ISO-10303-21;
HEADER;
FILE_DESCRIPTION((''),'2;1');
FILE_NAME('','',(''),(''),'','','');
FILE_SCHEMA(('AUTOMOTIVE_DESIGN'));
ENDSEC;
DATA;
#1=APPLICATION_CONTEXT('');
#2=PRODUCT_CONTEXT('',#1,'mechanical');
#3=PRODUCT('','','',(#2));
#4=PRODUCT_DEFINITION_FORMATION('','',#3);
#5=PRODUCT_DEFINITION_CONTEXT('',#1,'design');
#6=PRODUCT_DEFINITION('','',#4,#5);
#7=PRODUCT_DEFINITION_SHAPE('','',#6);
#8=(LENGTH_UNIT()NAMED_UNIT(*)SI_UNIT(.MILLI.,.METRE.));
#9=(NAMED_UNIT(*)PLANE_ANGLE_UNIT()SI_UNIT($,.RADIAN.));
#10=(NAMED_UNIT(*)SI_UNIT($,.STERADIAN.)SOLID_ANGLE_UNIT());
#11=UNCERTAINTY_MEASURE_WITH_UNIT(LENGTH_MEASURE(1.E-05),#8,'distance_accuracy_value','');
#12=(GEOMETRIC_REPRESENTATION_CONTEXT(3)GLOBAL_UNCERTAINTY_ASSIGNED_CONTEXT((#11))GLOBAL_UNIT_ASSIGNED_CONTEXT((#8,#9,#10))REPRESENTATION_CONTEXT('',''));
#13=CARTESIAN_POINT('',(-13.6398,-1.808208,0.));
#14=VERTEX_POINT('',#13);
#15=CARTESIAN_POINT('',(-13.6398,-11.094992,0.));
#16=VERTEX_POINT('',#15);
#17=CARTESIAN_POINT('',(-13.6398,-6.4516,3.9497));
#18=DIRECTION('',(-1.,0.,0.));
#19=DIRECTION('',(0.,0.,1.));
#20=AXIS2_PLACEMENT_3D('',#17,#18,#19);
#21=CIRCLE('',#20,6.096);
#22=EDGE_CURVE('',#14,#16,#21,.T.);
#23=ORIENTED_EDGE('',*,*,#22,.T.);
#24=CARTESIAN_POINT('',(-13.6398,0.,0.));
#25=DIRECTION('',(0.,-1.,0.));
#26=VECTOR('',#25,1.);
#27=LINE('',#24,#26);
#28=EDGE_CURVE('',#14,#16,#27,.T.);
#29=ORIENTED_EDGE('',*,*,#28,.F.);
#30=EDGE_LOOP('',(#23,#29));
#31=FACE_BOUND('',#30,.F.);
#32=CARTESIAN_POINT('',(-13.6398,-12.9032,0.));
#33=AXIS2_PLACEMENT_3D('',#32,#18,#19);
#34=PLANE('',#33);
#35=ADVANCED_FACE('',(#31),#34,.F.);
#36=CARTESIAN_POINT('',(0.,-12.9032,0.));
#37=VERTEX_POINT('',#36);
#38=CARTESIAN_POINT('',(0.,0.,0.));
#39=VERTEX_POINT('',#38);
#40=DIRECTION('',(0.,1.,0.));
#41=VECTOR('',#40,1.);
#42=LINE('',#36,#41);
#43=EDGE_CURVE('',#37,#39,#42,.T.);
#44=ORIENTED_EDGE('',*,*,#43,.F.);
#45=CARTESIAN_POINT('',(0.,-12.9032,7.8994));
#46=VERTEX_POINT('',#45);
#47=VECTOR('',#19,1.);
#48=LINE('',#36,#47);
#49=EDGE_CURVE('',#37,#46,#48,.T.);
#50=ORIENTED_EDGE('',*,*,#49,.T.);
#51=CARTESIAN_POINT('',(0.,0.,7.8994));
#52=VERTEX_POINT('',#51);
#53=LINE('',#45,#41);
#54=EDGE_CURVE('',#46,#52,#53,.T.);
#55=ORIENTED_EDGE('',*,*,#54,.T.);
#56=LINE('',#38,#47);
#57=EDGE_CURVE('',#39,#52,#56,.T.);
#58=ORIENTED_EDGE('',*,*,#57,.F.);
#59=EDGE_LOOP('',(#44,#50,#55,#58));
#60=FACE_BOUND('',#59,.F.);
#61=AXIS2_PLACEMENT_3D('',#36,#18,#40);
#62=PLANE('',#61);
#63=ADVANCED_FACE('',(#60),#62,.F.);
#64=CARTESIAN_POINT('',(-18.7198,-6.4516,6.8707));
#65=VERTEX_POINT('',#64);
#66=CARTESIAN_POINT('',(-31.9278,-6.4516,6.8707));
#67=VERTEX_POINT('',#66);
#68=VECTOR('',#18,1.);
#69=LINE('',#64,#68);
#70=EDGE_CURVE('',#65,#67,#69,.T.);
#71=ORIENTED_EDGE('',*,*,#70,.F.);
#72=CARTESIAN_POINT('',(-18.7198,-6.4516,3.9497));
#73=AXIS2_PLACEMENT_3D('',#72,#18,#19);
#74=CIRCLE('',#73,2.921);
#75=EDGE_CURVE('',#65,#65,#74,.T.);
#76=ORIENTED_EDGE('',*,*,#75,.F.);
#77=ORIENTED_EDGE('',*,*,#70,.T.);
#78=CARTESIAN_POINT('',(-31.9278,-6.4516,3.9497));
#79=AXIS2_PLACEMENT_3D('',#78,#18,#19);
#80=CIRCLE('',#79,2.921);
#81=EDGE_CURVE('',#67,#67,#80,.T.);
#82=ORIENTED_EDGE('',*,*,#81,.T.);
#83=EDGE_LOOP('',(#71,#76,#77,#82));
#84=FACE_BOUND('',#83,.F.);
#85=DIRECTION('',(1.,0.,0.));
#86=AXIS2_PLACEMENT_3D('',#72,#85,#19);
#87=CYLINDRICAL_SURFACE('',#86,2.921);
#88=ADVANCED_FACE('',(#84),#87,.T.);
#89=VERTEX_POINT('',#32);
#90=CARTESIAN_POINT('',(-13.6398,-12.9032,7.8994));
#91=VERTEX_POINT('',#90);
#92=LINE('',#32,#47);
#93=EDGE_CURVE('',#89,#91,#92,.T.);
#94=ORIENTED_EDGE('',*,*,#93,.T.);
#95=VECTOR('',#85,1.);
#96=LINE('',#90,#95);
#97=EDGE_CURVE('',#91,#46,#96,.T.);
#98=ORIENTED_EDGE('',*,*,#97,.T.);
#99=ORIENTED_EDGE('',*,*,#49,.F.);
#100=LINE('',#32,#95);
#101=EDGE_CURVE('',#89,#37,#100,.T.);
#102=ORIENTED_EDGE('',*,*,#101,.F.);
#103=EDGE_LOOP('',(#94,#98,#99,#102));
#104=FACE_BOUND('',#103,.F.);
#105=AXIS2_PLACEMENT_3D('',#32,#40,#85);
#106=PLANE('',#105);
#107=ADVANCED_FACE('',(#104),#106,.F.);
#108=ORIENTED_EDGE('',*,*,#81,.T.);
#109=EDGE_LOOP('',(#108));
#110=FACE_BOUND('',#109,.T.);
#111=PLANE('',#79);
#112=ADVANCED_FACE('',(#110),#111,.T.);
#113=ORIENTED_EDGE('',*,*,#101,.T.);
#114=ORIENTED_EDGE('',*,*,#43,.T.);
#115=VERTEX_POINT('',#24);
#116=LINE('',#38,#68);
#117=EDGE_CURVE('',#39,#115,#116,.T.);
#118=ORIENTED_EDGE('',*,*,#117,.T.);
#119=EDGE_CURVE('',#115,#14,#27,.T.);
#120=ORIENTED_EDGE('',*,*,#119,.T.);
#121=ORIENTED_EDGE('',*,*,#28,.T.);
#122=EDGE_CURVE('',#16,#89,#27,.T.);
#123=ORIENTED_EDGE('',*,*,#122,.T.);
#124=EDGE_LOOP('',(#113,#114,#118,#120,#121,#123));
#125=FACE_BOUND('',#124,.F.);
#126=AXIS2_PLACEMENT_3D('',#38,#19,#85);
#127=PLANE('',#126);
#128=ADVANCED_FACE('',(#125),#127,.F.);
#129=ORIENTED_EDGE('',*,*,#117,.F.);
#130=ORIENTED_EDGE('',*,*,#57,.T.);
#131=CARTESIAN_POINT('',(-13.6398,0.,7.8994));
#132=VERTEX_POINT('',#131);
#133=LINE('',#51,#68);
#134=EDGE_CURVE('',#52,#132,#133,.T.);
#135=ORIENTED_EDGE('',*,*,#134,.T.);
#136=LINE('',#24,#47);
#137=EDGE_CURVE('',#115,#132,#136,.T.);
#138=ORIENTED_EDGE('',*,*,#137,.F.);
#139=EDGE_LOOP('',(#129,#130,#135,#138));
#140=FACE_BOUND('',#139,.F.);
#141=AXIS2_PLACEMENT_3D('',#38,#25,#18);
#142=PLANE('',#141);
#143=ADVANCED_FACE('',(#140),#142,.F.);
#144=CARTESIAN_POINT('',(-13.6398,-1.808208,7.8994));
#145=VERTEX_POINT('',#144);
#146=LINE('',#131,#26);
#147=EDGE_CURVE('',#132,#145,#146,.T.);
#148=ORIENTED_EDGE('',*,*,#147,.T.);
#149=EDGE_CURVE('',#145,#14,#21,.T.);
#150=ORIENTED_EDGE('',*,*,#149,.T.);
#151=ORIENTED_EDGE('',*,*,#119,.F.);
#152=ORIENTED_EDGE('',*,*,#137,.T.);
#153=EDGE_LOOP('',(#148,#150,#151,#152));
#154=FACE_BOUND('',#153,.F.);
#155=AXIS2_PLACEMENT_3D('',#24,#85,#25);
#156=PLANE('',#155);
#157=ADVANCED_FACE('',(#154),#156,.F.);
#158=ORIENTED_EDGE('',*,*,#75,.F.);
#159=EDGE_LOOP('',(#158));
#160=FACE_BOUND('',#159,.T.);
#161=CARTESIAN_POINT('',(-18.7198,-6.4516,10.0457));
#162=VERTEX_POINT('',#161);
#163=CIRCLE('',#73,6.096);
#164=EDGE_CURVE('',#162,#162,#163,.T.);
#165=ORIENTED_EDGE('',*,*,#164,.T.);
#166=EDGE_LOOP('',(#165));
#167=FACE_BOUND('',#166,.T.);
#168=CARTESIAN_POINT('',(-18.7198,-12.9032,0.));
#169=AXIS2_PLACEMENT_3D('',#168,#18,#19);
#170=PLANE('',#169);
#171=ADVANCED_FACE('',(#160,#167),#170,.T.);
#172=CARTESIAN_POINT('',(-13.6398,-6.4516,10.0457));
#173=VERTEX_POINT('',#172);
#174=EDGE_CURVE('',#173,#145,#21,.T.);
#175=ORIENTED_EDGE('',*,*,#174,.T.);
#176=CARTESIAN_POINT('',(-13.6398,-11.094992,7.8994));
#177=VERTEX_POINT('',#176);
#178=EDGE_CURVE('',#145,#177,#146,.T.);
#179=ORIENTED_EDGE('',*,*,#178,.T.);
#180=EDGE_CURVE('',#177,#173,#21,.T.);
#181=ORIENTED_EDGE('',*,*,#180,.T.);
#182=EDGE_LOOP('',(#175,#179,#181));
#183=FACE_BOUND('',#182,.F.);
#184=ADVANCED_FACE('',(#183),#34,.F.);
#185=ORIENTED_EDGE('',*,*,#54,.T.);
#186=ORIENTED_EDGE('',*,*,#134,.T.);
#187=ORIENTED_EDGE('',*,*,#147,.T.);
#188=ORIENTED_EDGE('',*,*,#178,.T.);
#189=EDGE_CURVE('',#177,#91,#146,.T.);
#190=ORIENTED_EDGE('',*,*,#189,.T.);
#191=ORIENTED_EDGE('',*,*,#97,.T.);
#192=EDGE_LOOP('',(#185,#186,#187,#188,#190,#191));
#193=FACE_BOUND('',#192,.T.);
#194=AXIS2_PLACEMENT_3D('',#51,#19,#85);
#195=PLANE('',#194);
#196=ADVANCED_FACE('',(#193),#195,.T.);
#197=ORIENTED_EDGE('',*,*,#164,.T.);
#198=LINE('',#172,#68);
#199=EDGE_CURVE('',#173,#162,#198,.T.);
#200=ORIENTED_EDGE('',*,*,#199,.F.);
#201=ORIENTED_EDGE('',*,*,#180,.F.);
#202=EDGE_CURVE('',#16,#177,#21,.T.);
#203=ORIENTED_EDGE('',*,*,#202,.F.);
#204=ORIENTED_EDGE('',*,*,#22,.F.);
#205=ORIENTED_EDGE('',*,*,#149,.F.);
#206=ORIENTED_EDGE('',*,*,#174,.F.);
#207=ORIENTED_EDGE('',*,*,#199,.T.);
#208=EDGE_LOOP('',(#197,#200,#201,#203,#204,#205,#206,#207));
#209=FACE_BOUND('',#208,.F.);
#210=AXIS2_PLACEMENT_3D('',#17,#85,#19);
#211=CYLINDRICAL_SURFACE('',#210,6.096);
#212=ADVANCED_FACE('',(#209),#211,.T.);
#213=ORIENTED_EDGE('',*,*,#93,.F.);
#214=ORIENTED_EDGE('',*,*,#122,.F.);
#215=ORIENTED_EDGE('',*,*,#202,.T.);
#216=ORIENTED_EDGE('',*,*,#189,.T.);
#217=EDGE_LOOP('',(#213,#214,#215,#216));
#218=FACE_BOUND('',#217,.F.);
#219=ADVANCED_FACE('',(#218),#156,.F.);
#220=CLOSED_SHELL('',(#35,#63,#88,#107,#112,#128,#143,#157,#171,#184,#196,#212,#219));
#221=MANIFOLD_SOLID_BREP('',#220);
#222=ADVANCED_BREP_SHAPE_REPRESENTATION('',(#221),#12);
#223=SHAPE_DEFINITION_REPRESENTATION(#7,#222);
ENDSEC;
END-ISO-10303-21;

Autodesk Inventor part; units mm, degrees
ref_plane "YZ Plane" through (0, 0, 0) normal (1, 0, 0) x (0, 1, 0)
ref_plane "XZ Plane" through (0, 0, 0) normal (0, 1, 0) x (-1, 0, 0)
ref_plane "XY Plane" through (0, 0, 0) normal (0, 0, 1) x (1, 0, 0)
sketch "Sketch1" plane through (0, 0, 0) normal (0, 0, 1) x (1, 0, 0)
  line L0 (0, 0) -> (-13.6398, 0)
  line L1 (-13.6398, 0) -> (-13.6398, -12.9032)
  line L2 (-13.6398, -12.9032) -> (0, -12.9032)
  line L3 (0, -12.9032) -> (0, 0)
  dimension "d0" = 13.6398
  dimension "d1" = 12.9032
extrude "Extrusion1" add sketch "Sketch1" along normal blind 7.8994
sketch "Sketch2" plane through (-13.6398, -12.9032, 0) normal (-1, 0, 0) x (0, 0, 1)
  circle A0 centre (3.9497, 6.4516) radius 6.096
  point P0 (0, 12.9032)
  dimension "d4" = 12.192
extrude "Extrusion2" add sketch "Sketch2" along normal blind 5.08
sketch "Sketch3" plane through (-18.7198, -6.4516, 3.9497) normal (-1, 0, 0) x (0, 0, 1)
  circle A0 centre (0, 0) radius 2.921
  point P0 (-3.9497, 6.4516)
  dimension "d7" = 5.842
extrude "Extrusion3" add sketch "Sketch3" along normal blind 13.208
properties part number "Switch"
